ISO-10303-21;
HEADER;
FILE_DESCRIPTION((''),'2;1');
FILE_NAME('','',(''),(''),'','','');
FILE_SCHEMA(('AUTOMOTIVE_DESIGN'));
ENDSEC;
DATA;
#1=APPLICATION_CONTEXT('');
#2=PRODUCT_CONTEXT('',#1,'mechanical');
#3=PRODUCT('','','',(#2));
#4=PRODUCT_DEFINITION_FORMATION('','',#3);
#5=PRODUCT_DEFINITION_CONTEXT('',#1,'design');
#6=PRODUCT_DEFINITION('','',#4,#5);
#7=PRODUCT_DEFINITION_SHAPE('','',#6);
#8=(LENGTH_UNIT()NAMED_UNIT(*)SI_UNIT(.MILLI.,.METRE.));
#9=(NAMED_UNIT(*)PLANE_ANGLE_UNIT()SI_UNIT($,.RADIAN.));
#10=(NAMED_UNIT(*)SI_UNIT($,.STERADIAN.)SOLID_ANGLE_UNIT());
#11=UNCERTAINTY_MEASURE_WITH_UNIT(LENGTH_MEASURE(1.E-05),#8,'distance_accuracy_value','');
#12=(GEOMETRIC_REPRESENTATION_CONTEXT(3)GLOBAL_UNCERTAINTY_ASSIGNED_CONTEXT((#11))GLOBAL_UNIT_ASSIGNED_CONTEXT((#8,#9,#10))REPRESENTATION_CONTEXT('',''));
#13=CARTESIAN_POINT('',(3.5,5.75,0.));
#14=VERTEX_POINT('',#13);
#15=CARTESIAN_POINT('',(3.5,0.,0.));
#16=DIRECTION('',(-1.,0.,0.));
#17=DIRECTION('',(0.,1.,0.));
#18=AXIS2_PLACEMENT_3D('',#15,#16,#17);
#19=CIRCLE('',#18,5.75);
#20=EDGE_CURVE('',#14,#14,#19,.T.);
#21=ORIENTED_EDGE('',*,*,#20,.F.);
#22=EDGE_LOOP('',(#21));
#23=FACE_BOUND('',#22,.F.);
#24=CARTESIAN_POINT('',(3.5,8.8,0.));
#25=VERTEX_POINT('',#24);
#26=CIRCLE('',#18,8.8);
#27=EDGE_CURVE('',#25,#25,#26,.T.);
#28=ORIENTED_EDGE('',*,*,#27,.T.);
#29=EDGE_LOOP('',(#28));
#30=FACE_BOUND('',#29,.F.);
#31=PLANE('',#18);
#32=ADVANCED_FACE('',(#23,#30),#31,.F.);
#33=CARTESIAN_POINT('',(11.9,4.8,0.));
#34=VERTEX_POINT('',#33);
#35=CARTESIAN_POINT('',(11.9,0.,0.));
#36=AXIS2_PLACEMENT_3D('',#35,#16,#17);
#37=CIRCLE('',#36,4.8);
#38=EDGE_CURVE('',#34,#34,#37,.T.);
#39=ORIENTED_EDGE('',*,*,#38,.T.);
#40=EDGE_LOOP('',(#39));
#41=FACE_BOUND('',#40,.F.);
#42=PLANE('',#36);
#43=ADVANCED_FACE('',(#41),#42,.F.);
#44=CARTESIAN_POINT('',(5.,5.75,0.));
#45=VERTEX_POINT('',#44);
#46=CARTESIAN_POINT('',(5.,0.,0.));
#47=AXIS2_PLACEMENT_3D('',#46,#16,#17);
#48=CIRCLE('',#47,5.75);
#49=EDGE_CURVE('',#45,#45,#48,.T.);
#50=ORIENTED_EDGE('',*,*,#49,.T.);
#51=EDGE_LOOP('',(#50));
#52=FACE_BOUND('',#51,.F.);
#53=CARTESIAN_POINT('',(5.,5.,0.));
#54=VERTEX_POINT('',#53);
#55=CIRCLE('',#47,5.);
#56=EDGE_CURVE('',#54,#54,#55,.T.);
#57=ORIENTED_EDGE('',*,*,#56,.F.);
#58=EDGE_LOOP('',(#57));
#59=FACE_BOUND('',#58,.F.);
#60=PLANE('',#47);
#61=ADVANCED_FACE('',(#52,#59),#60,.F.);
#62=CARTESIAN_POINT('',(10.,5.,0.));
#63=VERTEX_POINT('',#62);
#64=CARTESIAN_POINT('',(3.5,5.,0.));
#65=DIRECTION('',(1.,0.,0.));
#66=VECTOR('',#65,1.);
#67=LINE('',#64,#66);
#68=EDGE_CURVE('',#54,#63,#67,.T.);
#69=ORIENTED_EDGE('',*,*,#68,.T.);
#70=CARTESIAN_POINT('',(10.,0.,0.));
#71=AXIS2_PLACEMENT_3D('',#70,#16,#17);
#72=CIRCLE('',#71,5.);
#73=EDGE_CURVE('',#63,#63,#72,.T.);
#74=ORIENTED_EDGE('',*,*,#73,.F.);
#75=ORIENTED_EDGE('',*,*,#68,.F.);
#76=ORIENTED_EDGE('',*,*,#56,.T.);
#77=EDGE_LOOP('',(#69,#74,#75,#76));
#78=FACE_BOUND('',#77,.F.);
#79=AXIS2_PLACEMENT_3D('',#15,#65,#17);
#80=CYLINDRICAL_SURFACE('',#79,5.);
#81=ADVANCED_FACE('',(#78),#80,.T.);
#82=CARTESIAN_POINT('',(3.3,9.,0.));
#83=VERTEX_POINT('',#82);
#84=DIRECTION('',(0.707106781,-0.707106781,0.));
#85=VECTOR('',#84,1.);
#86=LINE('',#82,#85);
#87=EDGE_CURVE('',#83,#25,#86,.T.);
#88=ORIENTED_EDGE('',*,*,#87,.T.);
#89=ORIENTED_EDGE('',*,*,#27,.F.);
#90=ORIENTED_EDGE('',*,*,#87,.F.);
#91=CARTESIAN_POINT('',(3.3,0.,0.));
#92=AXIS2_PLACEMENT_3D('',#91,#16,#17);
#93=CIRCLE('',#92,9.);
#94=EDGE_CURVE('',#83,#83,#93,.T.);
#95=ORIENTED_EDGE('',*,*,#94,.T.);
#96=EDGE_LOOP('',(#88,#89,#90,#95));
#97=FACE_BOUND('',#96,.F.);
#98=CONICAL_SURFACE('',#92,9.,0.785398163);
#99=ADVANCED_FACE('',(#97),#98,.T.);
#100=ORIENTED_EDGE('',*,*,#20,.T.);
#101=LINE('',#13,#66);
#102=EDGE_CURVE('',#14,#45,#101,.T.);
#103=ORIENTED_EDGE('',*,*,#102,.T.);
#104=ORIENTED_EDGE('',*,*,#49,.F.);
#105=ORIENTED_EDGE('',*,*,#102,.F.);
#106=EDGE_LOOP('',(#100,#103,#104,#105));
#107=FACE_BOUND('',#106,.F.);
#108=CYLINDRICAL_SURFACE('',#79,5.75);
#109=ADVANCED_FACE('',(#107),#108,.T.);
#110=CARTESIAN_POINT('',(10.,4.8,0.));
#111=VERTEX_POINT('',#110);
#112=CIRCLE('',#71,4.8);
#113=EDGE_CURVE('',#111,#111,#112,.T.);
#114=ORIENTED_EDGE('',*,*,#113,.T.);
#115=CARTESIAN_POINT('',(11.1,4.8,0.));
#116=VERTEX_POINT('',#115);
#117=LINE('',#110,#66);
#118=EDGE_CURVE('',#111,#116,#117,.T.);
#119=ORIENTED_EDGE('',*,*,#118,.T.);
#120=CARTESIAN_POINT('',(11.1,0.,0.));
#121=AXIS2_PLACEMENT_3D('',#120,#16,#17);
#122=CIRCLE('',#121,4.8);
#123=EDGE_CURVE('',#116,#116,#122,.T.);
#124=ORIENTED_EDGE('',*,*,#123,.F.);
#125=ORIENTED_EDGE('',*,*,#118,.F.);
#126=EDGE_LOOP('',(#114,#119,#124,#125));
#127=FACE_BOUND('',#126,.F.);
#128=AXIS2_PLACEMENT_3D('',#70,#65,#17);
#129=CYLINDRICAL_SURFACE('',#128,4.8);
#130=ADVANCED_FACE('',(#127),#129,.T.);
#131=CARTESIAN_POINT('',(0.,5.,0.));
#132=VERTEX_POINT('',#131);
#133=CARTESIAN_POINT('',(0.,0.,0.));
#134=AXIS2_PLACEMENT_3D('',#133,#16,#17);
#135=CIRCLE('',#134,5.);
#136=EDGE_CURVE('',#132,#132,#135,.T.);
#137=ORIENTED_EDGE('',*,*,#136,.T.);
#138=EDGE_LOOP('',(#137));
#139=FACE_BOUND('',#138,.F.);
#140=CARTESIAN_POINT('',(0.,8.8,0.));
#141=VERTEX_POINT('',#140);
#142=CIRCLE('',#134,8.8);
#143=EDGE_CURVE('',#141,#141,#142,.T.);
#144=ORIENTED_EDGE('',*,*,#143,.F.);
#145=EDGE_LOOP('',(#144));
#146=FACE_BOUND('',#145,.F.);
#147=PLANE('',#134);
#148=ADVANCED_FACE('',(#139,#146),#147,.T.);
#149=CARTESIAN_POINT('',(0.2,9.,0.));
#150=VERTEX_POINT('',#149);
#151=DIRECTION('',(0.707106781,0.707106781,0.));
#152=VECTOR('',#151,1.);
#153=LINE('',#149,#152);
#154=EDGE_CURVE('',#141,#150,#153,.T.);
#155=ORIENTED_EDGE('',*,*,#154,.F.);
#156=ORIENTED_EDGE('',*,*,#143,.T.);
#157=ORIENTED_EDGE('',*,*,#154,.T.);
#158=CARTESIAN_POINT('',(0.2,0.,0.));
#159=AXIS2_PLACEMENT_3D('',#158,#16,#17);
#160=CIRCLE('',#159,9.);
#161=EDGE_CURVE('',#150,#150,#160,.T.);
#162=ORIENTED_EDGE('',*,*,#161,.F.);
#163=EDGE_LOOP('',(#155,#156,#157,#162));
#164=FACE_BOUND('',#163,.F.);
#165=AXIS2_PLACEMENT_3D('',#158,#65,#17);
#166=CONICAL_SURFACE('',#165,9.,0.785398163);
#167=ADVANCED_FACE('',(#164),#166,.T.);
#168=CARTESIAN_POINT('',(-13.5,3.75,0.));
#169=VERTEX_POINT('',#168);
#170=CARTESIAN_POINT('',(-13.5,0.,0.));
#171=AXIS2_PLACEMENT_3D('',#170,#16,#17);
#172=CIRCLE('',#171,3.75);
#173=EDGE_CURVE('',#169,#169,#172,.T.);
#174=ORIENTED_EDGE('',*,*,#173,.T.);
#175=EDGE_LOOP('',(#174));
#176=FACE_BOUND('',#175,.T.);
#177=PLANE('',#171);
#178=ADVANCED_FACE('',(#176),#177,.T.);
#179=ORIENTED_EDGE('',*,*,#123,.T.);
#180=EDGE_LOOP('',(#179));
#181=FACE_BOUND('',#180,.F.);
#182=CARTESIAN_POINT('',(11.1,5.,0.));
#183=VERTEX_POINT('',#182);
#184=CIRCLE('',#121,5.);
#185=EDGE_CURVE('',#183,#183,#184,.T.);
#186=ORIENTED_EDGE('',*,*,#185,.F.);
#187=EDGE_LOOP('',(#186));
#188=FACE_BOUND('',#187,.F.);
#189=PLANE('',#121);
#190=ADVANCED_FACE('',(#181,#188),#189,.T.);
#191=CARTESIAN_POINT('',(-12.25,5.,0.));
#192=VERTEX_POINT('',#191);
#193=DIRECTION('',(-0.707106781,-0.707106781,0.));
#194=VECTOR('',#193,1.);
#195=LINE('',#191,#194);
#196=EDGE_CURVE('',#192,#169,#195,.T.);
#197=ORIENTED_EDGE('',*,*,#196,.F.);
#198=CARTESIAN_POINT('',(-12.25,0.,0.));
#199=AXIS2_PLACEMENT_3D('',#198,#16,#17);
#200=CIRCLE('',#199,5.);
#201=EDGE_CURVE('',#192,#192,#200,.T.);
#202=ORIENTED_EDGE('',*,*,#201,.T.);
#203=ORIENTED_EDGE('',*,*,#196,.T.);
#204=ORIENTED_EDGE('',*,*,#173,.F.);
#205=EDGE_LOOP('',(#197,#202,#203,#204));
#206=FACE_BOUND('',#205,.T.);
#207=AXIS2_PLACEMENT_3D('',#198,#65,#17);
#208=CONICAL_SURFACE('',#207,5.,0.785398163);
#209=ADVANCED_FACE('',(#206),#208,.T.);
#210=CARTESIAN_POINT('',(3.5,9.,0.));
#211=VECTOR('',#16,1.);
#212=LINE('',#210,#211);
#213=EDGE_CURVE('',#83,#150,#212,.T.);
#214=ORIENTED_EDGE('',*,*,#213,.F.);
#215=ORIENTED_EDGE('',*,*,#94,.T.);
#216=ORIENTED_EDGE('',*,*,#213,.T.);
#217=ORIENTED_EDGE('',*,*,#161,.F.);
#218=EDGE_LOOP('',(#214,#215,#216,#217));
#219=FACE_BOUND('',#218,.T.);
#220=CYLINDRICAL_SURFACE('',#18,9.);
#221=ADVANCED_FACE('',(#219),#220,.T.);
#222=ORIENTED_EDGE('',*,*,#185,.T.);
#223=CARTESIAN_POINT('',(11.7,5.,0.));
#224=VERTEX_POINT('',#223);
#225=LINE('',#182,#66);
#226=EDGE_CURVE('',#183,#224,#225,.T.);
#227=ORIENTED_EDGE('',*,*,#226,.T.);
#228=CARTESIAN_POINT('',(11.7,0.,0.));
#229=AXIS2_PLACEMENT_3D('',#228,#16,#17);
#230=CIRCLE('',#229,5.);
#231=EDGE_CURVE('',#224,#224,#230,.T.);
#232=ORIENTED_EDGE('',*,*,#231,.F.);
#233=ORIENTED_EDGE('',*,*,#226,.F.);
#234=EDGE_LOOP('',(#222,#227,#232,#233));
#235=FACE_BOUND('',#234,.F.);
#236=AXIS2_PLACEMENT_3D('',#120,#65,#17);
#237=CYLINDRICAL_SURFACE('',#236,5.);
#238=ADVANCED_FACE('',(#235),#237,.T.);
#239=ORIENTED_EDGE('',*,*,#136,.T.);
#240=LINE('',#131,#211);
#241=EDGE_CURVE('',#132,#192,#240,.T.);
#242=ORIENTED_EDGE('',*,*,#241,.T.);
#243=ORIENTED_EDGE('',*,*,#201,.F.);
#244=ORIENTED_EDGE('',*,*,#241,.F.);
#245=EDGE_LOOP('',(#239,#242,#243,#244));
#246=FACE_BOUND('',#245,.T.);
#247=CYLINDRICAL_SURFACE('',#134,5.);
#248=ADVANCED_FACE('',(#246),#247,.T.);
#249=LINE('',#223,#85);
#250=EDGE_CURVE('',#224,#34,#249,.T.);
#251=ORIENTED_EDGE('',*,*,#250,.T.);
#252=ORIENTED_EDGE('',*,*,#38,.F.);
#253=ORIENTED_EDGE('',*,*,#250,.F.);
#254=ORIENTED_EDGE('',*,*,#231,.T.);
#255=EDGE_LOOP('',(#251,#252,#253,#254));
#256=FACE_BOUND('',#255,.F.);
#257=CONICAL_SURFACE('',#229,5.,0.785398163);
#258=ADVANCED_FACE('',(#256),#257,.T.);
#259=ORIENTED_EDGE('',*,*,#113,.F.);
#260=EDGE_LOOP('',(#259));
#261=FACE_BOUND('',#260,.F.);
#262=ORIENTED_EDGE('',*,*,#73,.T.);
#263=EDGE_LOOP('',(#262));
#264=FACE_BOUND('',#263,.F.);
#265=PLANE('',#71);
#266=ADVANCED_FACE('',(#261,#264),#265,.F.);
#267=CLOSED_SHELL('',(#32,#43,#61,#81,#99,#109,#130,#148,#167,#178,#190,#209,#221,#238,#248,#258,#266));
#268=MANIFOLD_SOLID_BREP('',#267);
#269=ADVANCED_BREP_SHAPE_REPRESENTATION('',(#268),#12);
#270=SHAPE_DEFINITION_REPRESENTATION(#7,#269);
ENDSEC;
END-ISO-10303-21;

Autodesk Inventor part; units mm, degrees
ref_plane "YZ Plane" through (0, 0, 0) normal (1, 0, 0) x (0, 1, 0)
ref_plane "XZ Plane" through (0, 0, 0) normal (0, 1, 0) x (-1, 0, 0)
ref_plane "XY Plane" through (0, 0, 0) normal (0, 0, 1) x (1, 0, 0)
sketch "Skizze1" plane through (0, 0, 0) normal (0, 0, 1) x (1, 0, 0)
  line L0 (0, 0) -> (0, 9)
  line L1 (3.5, 9) -> (3.5, 5)
  line L2 (3.5, 5) -> (10, 5)
  line L3 (10, 5) -> (10, 4.8)
  line L4 (10, 4.8) -> (11.1, 4.8)
  line L5 (11.1, 4.8) -> (11.1, 5)
  line L6 (11.1, 5) -> (11.7, 5)
  line L7 (11.9, 4.8) -> (11.9, 0)
  line L8 (11.9, 0) -> (0, 0)
  line L9 (11.7, 5) -> (11.9, 4.8)
  line L10 (0, 5) -> (-13.5, 5)
  line L11 (-13.5, 5) -> (-13.5, 0)
  line L12 (-13.5, 0) -> (0, 0)
  line L13 (3.5, 9) -> (0, 9)
  line L14 (5, 5) -> (5, 0) construction
  line L15 (3.5, 5.75) -> (5, 5.75)
  line L16 (5, 5.75) -> (5, 5)
  point P0 (11.9, 5)
  dimension "d0" = 9.6
  dimension "d1" = 10
  dimension "d2" = 1.1
  dimension "d3" = 0.2
  dimension "d4" = 0.2
  dimension "d5" = 0.6
  dimension "Gabel_FixationShaft_Contact_Thickness" = 3.5
  dimension "d29" = 10
  dimension "d30" = 13.5
  dimension "d37" = 18
  dimension "d39" = 5
  dimension "d40" = 1.5
  dimension "d41" = 11.5
revolve "Umdrehung1" add sketch "Skizze1" angle 360 about axis through (11.9, 0, 0) along (-1, 0, 0)
chamfer "Fase1" distance 0.2 angle 45 2 edges at (3.5, -9, 0) (0, -9, 0)
chamfer "Fase2" distance 1.25 angle 45 1 edges at (-13.5, -5, 0)
thread "Gewinde1" size "M10x1.5" class "6g" standard "ANSI Metric M Profile" full length
equation "\"d3\" = d4"
properties part number "ParallelMecha_Gabel_Connection_JointShaft_Rillenkugellager" material "Edelstahl"
